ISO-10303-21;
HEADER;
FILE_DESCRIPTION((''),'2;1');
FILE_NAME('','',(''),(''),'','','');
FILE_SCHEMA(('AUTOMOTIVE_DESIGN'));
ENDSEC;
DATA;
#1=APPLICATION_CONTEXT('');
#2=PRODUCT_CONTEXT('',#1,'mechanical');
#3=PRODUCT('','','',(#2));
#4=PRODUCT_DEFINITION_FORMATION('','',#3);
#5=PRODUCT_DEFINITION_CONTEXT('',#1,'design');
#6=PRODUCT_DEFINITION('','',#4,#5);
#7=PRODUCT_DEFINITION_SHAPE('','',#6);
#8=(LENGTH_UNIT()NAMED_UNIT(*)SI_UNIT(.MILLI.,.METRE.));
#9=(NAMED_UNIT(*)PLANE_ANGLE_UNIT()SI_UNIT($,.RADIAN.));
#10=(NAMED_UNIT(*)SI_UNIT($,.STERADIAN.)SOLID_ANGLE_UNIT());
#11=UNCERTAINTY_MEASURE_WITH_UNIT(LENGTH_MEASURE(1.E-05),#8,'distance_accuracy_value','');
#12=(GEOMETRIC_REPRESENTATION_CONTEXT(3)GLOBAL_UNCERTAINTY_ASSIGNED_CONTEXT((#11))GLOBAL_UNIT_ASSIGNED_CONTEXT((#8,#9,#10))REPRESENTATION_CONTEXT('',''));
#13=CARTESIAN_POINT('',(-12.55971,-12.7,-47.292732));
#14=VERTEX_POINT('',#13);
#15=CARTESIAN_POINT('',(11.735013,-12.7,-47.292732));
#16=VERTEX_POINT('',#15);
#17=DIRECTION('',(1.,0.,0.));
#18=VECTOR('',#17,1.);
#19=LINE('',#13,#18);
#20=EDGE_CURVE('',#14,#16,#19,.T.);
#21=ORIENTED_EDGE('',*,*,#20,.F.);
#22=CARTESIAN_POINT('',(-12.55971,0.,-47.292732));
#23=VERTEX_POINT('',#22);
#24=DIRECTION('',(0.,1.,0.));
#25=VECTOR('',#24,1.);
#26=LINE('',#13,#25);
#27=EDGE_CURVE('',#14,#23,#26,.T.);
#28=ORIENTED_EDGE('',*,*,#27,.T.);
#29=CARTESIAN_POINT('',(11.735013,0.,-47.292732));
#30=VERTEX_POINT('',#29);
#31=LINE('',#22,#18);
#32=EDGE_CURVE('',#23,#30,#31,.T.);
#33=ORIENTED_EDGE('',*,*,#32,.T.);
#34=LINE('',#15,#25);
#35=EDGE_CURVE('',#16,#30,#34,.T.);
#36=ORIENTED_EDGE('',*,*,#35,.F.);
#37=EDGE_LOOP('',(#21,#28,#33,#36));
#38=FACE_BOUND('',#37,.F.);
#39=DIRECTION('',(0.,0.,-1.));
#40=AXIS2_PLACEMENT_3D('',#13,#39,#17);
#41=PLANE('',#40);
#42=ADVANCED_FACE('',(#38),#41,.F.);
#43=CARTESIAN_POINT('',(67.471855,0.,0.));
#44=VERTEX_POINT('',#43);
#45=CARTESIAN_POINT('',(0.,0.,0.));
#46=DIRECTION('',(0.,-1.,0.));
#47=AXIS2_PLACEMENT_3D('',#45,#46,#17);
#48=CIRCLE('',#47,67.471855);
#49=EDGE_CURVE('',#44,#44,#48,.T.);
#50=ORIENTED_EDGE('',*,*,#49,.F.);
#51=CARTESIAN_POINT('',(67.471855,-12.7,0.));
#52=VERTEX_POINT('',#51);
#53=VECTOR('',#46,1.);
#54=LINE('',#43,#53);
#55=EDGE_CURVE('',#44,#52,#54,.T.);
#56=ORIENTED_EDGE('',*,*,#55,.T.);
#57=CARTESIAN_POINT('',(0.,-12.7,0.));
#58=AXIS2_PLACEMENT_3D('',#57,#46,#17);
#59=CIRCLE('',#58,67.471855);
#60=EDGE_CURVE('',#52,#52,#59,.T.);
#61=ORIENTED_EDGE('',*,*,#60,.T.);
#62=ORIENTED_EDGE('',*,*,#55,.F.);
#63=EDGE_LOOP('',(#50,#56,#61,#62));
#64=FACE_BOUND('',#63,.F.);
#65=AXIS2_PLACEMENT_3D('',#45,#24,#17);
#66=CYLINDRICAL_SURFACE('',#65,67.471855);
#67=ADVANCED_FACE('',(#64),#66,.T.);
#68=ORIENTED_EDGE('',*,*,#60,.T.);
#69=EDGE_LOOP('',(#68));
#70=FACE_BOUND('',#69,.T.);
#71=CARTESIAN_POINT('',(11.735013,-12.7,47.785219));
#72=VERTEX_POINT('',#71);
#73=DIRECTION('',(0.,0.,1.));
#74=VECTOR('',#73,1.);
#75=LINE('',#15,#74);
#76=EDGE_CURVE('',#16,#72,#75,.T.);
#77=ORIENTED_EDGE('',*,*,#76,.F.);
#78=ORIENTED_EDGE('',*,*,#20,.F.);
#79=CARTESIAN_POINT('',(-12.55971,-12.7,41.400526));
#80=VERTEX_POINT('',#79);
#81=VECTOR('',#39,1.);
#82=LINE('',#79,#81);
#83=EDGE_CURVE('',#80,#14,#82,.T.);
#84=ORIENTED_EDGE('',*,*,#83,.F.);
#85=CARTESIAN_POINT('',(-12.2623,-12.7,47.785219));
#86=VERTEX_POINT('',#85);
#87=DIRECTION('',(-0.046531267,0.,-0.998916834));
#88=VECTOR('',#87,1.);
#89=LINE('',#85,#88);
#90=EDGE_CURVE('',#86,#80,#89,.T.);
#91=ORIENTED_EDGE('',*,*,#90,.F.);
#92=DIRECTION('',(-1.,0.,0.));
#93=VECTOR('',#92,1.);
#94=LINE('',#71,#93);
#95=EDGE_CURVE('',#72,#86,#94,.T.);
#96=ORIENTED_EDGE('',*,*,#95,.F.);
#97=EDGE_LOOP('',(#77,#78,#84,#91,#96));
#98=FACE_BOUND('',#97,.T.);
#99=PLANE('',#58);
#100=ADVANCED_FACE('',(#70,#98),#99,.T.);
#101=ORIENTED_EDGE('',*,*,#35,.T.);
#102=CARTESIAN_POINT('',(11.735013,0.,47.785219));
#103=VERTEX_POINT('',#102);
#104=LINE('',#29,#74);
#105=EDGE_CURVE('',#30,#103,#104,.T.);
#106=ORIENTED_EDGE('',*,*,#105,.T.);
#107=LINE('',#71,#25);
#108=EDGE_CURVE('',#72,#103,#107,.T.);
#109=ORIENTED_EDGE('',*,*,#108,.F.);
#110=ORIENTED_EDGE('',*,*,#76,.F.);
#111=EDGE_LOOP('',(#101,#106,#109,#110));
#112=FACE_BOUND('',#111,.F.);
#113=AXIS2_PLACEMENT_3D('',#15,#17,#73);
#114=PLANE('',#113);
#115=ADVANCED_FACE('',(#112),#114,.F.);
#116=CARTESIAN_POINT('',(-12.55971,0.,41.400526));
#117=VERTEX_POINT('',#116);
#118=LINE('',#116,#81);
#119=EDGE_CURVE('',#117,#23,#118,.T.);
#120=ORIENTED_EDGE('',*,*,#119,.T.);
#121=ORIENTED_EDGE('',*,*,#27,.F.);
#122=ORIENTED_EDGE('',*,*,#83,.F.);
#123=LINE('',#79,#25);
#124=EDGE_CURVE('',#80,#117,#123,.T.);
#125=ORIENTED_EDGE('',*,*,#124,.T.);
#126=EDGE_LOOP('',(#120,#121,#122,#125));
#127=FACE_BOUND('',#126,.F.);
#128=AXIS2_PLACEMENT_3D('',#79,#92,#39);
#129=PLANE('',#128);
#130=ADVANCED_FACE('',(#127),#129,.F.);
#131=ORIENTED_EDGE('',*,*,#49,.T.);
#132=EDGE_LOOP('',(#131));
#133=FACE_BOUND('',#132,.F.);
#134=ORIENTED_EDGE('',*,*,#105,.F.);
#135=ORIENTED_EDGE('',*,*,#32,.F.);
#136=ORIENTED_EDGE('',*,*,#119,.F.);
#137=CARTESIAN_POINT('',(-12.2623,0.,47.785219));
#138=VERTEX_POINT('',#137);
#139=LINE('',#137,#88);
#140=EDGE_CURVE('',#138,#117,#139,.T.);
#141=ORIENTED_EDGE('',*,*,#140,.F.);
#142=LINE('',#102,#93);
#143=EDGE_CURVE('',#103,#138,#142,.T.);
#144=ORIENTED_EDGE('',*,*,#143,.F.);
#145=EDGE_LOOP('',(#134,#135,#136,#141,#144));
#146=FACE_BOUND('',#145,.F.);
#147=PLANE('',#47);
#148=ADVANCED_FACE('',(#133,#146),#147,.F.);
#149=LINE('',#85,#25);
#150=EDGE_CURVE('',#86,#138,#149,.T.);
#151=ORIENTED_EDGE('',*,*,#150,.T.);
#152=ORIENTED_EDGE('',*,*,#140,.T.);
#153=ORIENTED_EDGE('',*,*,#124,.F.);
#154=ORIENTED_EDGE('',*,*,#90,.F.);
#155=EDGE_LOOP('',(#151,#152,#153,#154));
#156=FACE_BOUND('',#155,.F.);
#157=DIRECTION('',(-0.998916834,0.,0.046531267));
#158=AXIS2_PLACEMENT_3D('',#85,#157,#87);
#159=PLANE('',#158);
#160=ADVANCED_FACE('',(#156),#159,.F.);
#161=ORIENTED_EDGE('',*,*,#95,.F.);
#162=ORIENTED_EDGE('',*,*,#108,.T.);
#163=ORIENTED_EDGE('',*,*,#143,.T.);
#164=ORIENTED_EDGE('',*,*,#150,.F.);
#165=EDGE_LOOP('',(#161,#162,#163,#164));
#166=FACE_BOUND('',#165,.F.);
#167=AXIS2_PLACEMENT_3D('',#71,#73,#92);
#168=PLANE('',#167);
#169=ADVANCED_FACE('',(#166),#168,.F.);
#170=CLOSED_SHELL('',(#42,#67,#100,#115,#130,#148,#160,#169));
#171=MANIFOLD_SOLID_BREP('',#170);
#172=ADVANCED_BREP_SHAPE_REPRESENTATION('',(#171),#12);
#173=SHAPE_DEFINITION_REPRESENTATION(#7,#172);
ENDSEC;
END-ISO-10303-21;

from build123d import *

# Parameters (mm, degrees)
F0_R     = 67.471855
F1_DEPTH = 12.7
F3_DEPTH = 12.7


with BuildPart() as f1:
    # F0 (on Front) → F1 (new body)
    with BuildSketch(Plane.XZ):
        Circle(F0_R)
    extrude(amount=F1_DEPTH)

    # F2 (on face) → F3 (cut)
    with BuildSketch(Plane.XZ.offset(12.7)):
        Polygon((-12.2623, 47.785219), (-12.55971, 41.400526), (-12.55971, -47.292732), (11.735013, -47.292732), (11.735013, 47.785219), align=None)
    extrude(amount=-F3_DEPTH, mode=Mode.SUBTRACT)


solid = f1.part
